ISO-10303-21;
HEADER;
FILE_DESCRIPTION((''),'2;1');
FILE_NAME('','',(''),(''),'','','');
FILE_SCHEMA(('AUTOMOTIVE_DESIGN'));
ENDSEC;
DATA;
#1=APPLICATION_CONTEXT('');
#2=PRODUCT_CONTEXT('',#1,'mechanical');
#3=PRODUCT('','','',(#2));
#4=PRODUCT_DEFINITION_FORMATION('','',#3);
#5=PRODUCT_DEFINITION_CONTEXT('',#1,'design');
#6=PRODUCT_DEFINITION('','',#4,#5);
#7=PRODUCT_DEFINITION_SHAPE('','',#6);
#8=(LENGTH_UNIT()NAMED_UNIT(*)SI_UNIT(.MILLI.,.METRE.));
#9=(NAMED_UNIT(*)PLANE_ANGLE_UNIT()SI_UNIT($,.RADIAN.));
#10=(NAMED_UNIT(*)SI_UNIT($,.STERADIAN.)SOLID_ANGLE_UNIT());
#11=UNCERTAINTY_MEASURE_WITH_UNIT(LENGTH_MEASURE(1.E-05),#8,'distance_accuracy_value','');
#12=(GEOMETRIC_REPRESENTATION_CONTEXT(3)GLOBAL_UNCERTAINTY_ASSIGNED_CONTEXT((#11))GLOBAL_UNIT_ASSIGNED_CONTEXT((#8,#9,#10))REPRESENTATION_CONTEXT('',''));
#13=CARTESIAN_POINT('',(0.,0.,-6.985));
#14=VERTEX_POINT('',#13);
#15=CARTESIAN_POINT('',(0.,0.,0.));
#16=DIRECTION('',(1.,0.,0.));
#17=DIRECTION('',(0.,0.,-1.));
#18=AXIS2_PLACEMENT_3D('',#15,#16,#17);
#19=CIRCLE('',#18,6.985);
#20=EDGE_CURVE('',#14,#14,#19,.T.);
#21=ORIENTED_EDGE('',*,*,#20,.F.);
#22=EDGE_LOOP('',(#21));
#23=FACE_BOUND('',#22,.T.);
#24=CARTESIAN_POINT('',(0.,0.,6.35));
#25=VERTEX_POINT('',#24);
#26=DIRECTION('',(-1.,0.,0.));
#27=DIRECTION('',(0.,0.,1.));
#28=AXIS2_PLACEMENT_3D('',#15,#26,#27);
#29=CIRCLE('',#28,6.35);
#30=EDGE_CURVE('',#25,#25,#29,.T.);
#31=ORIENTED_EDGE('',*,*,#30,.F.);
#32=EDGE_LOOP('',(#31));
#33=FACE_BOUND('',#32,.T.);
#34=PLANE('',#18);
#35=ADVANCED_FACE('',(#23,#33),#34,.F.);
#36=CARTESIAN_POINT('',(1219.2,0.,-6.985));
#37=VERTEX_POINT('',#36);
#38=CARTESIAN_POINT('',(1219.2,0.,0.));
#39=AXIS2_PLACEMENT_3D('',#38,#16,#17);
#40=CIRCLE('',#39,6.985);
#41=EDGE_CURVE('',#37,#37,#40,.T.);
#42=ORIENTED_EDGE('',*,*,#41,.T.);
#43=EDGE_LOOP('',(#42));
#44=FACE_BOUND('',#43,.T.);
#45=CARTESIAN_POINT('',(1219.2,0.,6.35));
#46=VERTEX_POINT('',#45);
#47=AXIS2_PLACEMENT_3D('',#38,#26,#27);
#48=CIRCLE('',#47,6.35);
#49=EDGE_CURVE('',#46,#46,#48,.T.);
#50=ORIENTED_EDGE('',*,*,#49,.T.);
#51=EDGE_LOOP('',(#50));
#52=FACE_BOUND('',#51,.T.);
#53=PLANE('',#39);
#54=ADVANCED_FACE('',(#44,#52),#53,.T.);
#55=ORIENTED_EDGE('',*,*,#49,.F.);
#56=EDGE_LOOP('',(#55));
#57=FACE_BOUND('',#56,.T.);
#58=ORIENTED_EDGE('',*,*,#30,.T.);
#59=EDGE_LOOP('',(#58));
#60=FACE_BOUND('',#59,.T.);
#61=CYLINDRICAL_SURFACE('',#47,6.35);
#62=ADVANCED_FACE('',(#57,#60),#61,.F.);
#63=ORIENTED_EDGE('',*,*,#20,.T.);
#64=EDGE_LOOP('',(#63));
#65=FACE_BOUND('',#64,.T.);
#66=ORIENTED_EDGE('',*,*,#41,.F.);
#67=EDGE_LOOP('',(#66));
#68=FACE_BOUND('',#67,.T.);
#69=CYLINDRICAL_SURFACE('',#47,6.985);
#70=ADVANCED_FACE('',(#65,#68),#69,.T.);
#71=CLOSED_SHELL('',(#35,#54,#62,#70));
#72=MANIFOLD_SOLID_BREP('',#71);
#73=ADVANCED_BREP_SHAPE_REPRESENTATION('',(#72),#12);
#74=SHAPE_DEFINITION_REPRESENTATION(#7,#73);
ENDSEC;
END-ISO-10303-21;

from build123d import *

# Parameters (mm, degrees)
SKETCH1_R           = 6.985
BOSS_EXTRUDE1_DEPTH = 1219.2
SKETCH2_R           = 6.35
CUT_EXTRUDE1_DEPTH  = 1220.2


with BuildPart() as part:
    # Sketch1 → Boss-Extrude1 (new body)
    with BuildSketch(Plane(origin=(0, 0, 0), x_dir=(0, 0, -1), z_dir=(1, 0, 0))):
        Circle(SKETCH1_R)
    extrude(amount=BOSS_EXTRUDE1_DEPTH)

    # Sketch2 → Cut-Extrude1 (cut, through all)
    with BuildSketch(Plane.ZY):
        Circle(SKETCH2_R)
    extrude(amount=-CUT_EXTRUDE1_DEPTH, mode=Mode.SUBTRACT)


solid = part.part
